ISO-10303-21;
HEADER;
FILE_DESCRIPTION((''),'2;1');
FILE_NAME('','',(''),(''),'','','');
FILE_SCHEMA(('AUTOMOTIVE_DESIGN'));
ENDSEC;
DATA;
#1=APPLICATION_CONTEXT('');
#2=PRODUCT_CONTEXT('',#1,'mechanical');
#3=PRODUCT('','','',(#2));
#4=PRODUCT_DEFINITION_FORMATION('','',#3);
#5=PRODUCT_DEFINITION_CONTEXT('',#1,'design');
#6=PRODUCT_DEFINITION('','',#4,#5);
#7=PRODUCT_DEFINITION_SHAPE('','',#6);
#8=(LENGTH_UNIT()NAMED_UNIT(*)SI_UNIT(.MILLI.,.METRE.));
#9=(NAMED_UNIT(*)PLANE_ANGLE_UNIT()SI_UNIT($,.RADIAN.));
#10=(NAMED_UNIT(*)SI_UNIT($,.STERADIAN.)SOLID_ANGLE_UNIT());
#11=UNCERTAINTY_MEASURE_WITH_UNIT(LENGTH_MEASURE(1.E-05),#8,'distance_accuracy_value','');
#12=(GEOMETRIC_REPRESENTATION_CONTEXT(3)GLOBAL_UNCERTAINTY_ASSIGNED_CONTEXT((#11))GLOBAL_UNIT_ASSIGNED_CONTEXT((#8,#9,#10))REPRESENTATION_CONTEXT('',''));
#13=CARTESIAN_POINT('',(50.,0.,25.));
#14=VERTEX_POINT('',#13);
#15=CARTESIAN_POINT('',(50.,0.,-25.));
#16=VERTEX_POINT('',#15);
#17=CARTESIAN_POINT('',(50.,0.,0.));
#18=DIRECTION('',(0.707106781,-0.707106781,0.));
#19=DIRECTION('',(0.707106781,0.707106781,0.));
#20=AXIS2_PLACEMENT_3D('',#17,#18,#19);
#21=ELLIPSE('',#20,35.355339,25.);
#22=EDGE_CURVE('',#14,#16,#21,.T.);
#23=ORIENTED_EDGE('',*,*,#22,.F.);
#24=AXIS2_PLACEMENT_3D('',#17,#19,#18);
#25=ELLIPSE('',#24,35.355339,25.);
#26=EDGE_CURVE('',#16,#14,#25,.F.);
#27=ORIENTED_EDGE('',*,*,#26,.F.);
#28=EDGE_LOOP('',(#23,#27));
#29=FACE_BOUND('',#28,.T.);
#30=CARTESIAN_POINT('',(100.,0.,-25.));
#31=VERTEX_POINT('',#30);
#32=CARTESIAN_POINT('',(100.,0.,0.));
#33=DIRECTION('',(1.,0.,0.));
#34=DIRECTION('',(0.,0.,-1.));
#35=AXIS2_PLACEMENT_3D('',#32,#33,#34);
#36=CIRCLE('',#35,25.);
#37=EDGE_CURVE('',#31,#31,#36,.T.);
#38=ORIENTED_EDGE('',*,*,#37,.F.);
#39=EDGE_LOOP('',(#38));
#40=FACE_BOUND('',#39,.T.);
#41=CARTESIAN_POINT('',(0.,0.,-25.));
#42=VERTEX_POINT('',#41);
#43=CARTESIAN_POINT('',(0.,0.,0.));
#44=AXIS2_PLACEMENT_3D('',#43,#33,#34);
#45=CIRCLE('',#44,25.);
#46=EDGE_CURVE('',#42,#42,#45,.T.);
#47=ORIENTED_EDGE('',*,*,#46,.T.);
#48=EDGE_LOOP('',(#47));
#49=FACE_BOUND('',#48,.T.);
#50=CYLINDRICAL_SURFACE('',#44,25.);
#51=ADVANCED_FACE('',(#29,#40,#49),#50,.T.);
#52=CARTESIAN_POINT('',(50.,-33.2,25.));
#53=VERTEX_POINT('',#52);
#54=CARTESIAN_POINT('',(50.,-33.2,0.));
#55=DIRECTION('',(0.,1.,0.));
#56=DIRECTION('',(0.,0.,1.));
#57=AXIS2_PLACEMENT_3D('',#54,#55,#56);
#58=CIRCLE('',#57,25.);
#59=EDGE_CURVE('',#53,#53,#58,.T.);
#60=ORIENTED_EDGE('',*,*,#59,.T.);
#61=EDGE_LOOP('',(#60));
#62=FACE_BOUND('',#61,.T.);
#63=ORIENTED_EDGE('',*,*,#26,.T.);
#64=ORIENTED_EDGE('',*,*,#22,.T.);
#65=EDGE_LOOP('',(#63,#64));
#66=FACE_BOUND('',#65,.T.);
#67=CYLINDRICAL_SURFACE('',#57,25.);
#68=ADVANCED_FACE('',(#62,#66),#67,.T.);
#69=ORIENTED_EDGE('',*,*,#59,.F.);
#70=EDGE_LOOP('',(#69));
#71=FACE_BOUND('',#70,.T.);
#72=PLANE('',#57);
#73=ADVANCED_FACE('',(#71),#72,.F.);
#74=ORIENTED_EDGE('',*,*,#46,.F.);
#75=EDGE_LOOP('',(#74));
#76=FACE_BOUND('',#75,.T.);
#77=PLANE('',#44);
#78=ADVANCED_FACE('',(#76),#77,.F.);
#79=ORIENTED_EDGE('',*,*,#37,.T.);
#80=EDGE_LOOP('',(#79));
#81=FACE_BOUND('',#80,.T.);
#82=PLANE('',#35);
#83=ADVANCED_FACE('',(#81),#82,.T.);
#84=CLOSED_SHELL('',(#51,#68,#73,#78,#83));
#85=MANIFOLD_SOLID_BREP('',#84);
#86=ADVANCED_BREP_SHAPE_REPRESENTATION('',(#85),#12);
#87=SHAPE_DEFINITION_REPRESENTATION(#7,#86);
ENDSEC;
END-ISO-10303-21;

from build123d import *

# Parameters (mm, degrees)
SKETCH2_R           = 25
SKETCH4_R           = 25
BOSS_EXTRUDE1_DEPTH = 33.2


with BuildPart() as part:
    # Sweep1: sweep along a path in Sketch1
    with BuildLine(Plane.XY) as sweep1_path:
        Line((0, 0), (100, 0))
    # Sketch2 → Sweep1 (sweep)
    with BuildSketch(Plane(origin=(0, 0, 0), x_dir=(0, 0, -1), z_dir=(1, 0, 0))):
        Circle(SKETCH2_R)
    sweep(path=sweep1_path.line)

    # Sketch4 → Boss-Extrude1 (add)
    with BuildSketch(Plane(origin=(0, 0, 0), x_dir=(1, 0, 0), z_dir=(0, 1, 0))):
        with Locations((50, 0)):
            Circle(SKETCH4_R)
    extrude(amount=-BOSS_EXTRUDE1_DEPTH)


solid = part.part
